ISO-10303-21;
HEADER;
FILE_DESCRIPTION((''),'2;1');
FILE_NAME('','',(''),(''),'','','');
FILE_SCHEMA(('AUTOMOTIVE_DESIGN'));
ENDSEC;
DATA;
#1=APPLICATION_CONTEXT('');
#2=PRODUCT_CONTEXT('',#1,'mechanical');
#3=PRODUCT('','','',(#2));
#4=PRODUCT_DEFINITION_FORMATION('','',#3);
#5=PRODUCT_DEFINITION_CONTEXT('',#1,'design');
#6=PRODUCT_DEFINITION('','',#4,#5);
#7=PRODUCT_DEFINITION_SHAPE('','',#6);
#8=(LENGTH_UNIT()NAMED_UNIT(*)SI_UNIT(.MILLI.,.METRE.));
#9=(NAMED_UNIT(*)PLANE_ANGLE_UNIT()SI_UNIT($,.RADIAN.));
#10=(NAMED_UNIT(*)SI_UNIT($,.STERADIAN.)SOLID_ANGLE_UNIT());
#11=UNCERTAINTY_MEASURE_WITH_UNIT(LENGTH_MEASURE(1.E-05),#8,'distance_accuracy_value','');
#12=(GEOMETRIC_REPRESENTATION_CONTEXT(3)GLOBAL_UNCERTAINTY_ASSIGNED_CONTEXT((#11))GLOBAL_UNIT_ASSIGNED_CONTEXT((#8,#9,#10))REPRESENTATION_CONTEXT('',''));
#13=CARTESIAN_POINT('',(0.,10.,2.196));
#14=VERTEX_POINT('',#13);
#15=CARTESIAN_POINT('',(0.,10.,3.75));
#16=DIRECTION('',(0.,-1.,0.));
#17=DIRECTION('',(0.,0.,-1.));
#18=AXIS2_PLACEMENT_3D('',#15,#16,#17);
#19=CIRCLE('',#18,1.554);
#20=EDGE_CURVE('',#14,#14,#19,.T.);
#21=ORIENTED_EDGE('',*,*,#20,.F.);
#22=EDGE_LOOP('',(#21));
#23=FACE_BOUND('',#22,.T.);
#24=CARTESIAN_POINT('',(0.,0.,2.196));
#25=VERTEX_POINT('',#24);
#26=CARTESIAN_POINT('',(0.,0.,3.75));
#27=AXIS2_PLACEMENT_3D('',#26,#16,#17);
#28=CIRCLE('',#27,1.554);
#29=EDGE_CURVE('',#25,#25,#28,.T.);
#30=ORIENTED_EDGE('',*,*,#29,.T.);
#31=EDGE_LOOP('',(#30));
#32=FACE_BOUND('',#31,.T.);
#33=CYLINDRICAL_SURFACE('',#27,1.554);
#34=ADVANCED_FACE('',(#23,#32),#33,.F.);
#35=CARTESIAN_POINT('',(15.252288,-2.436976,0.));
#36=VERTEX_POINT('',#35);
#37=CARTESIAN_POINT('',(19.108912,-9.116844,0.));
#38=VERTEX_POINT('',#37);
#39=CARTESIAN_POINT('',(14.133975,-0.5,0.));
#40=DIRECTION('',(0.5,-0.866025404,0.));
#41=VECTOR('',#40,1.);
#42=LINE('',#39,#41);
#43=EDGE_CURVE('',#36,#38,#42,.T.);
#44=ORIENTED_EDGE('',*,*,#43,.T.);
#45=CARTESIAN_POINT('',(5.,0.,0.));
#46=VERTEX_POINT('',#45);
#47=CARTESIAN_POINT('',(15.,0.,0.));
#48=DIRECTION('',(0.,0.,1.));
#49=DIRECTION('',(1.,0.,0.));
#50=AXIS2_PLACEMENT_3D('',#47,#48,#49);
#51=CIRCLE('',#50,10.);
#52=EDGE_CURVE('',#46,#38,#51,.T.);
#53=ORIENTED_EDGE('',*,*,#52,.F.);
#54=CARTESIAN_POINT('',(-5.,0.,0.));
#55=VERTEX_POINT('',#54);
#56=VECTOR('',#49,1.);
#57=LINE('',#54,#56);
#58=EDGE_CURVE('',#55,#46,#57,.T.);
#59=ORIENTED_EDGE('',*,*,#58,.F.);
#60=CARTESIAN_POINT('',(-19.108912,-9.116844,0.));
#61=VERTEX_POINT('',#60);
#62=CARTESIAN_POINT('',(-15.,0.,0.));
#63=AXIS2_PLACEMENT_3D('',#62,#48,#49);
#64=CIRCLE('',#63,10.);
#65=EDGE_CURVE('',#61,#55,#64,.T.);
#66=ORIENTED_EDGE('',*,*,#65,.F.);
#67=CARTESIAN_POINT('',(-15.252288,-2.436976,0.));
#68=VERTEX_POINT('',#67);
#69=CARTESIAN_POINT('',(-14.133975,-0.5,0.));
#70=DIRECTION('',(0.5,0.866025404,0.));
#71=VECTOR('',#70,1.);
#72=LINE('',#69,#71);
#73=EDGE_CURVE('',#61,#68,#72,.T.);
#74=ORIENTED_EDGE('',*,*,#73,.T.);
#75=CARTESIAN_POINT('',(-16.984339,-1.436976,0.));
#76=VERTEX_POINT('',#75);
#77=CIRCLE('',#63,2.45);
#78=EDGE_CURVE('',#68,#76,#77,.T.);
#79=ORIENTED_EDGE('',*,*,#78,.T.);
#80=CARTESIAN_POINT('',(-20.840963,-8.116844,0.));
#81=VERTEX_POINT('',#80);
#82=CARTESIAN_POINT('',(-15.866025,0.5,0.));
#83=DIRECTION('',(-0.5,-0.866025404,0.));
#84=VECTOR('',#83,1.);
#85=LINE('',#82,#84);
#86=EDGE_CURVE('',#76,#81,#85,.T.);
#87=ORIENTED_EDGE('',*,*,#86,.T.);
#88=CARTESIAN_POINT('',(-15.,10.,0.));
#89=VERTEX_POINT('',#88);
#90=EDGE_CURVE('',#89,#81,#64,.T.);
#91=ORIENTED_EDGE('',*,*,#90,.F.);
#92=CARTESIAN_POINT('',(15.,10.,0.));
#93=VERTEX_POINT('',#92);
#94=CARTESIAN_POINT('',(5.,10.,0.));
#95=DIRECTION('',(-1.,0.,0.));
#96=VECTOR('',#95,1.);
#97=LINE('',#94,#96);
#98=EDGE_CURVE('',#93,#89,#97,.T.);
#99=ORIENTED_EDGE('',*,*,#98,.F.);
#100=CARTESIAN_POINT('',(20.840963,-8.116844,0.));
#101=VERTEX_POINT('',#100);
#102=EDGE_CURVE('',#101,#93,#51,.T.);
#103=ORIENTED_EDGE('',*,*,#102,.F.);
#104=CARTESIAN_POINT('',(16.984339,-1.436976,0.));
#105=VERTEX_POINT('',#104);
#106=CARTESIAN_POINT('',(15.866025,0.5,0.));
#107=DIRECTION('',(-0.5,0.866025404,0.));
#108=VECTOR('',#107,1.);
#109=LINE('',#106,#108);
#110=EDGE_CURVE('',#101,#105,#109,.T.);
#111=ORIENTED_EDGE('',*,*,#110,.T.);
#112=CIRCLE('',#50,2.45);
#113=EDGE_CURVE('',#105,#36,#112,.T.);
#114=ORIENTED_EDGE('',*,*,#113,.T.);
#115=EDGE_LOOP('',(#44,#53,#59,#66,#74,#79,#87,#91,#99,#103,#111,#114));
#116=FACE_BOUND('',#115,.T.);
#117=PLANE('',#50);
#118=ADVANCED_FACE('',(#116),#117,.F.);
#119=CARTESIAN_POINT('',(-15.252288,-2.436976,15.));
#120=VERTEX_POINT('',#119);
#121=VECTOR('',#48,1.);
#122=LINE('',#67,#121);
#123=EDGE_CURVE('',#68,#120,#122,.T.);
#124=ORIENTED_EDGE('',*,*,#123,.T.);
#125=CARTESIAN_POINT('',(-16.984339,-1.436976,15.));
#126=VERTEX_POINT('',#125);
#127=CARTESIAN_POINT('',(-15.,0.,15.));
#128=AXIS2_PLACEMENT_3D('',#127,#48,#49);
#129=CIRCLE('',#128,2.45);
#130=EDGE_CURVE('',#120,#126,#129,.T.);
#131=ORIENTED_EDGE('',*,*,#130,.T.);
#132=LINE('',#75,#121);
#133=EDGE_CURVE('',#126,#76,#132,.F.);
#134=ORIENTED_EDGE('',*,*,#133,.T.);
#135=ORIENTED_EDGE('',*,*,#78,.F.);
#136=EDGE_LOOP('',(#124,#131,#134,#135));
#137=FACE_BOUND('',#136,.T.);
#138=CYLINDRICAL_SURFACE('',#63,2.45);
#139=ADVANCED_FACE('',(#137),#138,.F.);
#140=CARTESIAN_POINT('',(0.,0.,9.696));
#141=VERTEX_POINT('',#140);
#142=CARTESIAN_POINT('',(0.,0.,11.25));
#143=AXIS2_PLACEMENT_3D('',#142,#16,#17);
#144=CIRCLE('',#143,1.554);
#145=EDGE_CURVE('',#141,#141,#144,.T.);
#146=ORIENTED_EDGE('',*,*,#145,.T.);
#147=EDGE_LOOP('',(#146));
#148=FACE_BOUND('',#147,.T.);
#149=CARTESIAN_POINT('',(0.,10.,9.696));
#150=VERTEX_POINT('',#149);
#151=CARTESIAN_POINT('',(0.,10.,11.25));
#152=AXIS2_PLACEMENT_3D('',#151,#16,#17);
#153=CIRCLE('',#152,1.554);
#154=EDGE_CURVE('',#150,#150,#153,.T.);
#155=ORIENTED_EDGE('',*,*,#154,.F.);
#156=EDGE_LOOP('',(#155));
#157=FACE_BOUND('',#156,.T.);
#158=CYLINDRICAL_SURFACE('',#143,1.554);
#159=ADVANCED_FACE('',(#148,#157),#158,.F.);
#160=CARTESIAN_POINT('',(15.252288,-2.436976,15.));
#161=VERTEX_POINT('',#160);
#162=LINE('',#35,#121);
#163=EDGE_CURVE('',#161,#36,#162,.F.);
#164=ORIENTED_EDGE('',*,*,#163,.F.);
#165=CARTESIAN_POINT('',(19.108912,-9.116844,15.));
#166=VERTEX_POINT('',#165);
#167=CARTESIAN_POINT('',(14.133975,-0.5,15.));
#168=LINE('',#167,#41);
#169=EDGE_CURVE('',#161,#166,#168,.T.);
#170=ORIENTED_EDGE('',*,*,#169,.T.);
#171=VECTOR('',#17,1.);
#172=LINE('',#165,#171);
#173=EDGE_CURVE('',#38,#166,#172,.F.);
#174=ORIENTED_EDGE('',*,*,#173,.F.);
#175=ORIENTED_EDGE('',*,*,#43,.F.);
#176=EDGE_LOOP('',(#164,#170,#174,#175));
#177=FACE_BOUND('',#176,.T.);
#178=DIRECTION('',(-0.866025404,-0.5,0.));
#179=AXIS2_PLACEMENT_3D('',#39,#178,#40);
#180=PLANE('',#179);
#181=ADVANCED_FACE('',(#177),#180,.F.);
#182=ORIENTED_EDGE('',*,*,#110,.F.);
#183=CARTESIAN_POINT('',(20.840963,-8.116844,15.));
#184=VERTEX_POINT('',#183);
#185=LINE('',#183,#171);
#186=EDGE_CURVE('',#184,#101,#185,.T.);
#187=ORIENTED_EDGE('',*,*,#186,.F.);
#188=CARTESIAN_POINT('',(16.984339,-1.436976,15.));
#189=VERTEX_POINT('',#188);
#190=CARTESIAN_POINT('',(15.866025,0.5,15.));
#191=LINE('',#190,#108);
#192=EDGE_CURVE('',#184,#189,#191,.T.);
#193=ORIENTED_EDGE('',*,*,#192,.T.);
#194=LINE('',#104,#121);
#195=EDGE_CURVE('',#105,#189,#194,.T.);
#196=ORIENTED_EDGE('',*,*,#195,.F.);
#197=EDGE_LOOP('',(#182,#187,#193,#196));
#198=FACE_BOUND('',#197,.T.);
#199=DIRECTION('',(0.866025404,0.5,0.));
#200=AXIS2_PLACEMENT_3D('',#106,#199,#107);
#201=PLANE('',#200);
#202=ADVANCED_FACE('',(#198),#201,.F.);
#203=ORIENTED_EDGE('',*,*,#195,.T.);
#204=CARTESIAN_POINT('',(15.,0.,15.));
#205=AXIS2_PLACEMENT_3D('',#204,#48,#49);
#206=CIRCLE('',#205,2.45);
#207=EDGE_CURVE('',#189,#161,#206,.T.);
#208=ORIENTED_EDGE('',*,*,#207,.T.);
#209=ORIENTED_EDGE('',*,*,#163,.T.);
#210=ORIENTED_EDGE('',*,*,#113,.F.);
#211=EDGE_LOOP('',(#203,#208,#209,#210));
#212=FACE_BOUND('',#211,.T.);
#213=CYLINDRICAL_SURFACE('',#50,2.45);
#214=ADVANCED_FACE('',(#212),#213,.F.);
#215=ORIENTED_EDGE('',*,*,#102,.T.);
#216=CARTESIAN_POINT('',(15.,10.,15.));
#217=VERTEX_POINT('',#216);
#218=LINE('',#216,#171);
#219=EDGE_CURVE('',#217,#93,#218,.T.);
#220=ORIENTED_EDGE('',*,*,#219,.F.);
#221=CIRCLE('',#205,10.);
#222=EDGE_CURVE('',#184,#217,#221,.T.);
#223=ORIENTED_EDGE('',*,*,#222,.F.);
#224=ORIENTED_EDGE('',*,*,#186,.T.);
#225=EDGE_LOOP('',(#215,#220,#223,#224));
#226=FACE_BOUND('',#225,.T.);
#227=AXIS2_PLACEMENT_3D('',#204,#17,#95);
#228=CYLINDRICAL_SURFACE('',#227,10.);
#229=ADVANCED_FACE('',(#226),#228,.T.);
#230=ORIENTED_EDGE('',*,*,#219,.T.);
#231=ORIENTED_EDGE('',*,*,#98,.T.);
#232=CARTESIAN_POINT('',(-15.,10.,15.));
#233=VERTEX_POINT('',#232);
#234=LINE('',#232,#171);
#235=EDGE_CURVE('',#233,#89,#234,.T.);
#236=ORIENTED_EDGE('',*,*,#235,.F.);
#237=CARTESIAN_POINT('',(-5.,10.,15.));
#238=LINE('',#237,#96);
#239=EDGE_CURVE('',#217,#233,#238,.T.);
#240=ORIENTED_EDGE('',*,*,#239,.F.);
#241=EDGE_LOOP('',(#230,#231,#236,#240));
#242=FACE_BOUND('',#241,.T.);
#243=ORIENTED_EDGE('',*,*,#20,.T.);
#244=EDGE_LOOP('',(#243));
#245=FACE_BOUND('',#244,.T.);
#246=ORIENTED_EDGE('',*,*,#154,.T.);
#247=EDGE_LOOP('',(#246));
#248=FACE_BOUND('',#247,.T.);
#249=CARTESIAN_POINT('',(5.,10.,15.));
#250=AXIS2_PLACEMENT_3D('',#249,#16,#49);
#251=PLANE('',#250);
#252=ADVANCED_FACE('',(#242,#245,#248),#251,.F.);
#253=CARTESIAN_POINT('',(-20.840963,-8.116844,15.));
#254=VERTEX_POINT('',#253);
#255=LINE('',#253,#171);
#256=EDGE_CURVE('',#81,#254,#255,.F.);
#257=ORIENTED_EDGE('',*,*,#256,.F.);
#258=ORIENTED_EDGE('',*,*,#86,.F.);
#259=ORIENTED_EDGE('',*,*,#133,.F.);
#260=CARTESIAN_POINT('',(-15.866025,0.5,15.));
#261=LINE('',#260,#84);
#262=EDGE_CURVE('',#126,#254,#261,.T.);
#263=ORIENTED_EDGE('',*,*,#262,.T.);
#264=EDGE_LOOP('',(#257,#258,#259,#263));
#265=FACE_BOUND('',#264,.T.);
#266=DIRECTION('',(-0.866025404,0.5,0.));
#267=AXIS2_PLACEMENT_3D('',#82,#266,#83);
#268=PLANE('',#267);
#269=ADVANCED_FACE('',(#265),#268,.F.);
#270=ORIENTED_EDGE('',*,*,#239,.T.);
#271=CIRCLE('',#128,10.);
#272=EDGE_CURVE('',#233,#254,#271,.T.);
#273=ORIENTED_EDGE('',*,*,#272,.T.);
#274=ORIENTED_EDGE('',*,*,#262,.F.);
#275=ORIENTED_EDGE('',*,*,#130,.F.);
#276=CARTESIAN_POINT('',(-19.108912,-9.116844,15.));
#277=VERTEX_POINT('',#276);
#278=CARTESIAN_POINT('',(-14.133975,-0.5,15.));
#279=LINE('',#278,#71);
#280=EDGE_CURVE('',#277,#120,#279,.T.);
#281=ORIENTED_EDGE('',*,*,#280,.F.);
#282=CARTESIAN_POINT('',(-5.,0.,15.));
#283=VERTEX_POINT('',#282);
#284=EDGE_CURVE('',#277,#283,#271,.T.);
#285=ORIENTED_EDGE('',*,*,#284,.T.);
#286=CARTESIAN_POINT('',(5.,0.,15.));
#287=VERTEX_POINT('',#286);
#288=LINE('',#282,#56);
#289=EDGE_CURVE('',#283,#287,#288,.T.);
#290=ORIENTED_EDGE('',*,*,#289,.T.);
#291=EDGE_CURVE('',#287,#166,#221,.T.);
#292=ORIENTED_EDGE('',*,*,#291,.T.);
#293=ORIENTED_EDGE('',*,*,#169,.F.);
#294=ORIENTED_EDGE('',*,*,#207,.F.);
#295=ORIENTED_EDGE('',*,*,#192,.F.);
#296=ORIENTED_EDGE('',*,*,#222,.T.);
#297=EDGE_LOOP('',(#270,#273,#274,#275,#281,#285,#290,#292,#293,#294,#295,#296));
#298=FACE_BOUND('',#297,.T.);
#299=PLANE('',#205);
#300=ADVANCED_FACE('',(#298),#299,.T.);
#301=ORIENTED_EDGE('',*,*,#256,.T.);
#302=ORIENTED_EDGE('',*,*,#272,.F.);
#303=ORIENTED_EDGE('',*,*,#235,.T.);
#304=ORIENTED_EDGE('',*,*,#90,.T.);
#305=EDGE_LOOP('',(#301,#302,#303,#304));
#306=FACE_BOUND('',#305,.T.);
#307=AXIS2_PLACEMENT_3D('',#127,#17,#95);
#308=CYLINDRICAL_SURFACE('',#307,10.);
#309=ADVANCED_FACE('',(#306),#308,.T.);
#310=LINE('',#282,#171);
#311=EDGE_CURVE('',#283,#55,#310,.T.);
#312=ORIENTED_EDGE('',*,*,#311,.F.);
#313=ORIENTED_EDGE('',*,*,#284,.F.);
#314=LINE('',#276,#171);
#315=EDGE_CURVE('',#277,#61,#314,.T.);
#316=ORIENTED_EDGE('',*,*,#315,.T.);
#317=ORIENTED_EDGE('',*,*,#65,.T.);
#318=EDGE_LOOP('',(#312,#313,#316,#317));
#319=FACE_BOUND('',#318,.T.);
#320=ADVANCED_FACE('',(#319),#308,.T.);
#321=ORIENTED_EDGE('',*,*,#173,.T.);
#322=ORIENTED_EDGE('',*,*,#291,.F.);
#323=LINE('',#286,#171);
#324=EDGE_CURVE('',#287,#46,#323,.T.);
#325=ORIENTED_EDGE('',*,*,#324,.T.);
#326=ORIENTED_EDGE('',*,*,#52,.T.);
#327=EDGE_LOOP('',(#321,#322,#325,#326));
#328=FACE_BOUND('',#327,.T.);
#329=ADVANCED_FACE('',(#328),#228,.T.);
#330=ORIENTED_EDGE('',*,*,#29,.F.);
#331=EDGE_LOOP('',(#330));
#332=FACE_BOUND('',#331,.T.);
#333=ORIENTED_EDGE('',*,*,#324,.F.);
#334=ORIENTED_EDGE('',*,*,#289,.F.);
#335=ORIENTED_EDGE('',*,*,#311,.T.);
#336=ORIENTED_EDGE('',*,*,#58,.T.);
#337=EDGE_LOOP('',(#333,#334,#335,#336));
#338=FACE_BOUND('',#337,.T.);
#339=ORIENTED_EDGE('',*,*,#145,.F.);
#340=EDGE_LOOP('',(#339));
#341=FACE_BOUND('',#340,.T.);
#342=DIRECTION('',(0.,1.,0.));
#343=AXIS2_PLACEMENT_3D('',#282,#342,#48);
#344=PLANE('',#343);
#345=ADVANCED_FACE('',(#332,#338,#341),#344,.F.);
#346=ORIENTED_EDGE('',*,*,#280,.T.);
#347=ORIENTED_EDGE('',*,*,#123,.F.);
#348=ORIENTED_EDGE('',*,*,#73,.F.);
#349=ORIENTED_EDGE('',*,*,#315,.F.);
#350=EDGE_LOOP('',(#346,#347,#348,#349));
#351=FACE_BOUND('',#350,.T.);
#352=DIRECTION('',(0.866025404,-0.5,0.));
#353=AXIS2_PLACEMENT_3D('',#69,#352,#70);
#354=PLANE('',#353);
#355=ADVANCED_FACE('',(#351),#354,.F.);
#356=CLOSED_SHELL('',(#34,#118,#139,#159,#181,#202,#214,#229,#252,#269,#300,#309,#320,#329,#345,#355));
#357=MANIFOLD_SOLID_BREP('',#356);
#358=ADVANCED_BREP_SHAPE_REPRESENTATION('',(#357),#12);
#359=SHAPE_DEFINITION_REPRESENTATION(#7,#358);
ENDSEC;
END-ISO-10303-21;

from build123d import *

# Parameters (mm, degrees)
BOSS_EXTRUDE1_DEPTH             = 15
SKETCH3_R                       = 2.45
CUT_EXTRUDE1_DEPTH              = 31.822070015
CUT_EXTRUDE2_DEPTH              = 31.822070015
F_3_0MM_CLEARANCE_DOWEL_HOLE1_D = 3.108


with BuildPart() as part:
    # Sketch2 → Boss-Extrude1 (new body)
    with BuildSketch(Plane.XY):
        with BuildLine():
            Line((-5, 10), (-15, 10))
            ThreePointArc((-15, 10), (-22.071067812, -7.071067812), (-5, 0))
            Line((-5, 0), (5, 0))
            ThreePointArc((5, 0), (22.071067812, -7.071067812), (15, 10))
            Line((15, 10), (5, 10))
            Line((5, 10), (-5, 10))
        make_face()
    extrude(amount=BOSS_EXTRUDE1_DEPTH)

    # Sketch3 → Cut-Extrude1 (cut, through all)
    with BuildSketch(Plane.XY.offset(15)):
        with Locations((-15, 0)):
            Circle(SKETCH3_R)
        with Locations((15, 0)):
            Circle(SKETCH3_R)
    extrude(amount=-CUT_EXTRUDE1_DEPTH, mode=Mode.SUBTRACT)

    # Sketch4 → Cut-Extrude2 (cut, through all)
    with BuildSketch(Plane.XY.offset(15)):
        Polygon((-14.133974596, -0.5), (-15.866025404, 0.5), (-20.866025404, -8.160254038), (-19.133974596, -9.160254038), align=None)
        Polygon((14.133974596, -0.5), (15.866025404, 0.5), (20.866025404, -8.160254038), (19.133974596, -9.160254038), align=None)
    extrude(amount=-CUT_EXTRUDE2_DEPTH, mode=Mode.SUBTRACT)

    # Ø3.0mm Clearance Dowel Hole1 (through all)
    with Locations(Plane(origin=(0, 0, 0), x_dir=(-1, 0, 0), z_dir=(0, -1, 0))):
        with Locations((0, -3.75), (0, -11.25)):
            Hole(F_3_0MM_CLEARANCE_DOWEL_HOLE1_D / 2)


solid = part.part
